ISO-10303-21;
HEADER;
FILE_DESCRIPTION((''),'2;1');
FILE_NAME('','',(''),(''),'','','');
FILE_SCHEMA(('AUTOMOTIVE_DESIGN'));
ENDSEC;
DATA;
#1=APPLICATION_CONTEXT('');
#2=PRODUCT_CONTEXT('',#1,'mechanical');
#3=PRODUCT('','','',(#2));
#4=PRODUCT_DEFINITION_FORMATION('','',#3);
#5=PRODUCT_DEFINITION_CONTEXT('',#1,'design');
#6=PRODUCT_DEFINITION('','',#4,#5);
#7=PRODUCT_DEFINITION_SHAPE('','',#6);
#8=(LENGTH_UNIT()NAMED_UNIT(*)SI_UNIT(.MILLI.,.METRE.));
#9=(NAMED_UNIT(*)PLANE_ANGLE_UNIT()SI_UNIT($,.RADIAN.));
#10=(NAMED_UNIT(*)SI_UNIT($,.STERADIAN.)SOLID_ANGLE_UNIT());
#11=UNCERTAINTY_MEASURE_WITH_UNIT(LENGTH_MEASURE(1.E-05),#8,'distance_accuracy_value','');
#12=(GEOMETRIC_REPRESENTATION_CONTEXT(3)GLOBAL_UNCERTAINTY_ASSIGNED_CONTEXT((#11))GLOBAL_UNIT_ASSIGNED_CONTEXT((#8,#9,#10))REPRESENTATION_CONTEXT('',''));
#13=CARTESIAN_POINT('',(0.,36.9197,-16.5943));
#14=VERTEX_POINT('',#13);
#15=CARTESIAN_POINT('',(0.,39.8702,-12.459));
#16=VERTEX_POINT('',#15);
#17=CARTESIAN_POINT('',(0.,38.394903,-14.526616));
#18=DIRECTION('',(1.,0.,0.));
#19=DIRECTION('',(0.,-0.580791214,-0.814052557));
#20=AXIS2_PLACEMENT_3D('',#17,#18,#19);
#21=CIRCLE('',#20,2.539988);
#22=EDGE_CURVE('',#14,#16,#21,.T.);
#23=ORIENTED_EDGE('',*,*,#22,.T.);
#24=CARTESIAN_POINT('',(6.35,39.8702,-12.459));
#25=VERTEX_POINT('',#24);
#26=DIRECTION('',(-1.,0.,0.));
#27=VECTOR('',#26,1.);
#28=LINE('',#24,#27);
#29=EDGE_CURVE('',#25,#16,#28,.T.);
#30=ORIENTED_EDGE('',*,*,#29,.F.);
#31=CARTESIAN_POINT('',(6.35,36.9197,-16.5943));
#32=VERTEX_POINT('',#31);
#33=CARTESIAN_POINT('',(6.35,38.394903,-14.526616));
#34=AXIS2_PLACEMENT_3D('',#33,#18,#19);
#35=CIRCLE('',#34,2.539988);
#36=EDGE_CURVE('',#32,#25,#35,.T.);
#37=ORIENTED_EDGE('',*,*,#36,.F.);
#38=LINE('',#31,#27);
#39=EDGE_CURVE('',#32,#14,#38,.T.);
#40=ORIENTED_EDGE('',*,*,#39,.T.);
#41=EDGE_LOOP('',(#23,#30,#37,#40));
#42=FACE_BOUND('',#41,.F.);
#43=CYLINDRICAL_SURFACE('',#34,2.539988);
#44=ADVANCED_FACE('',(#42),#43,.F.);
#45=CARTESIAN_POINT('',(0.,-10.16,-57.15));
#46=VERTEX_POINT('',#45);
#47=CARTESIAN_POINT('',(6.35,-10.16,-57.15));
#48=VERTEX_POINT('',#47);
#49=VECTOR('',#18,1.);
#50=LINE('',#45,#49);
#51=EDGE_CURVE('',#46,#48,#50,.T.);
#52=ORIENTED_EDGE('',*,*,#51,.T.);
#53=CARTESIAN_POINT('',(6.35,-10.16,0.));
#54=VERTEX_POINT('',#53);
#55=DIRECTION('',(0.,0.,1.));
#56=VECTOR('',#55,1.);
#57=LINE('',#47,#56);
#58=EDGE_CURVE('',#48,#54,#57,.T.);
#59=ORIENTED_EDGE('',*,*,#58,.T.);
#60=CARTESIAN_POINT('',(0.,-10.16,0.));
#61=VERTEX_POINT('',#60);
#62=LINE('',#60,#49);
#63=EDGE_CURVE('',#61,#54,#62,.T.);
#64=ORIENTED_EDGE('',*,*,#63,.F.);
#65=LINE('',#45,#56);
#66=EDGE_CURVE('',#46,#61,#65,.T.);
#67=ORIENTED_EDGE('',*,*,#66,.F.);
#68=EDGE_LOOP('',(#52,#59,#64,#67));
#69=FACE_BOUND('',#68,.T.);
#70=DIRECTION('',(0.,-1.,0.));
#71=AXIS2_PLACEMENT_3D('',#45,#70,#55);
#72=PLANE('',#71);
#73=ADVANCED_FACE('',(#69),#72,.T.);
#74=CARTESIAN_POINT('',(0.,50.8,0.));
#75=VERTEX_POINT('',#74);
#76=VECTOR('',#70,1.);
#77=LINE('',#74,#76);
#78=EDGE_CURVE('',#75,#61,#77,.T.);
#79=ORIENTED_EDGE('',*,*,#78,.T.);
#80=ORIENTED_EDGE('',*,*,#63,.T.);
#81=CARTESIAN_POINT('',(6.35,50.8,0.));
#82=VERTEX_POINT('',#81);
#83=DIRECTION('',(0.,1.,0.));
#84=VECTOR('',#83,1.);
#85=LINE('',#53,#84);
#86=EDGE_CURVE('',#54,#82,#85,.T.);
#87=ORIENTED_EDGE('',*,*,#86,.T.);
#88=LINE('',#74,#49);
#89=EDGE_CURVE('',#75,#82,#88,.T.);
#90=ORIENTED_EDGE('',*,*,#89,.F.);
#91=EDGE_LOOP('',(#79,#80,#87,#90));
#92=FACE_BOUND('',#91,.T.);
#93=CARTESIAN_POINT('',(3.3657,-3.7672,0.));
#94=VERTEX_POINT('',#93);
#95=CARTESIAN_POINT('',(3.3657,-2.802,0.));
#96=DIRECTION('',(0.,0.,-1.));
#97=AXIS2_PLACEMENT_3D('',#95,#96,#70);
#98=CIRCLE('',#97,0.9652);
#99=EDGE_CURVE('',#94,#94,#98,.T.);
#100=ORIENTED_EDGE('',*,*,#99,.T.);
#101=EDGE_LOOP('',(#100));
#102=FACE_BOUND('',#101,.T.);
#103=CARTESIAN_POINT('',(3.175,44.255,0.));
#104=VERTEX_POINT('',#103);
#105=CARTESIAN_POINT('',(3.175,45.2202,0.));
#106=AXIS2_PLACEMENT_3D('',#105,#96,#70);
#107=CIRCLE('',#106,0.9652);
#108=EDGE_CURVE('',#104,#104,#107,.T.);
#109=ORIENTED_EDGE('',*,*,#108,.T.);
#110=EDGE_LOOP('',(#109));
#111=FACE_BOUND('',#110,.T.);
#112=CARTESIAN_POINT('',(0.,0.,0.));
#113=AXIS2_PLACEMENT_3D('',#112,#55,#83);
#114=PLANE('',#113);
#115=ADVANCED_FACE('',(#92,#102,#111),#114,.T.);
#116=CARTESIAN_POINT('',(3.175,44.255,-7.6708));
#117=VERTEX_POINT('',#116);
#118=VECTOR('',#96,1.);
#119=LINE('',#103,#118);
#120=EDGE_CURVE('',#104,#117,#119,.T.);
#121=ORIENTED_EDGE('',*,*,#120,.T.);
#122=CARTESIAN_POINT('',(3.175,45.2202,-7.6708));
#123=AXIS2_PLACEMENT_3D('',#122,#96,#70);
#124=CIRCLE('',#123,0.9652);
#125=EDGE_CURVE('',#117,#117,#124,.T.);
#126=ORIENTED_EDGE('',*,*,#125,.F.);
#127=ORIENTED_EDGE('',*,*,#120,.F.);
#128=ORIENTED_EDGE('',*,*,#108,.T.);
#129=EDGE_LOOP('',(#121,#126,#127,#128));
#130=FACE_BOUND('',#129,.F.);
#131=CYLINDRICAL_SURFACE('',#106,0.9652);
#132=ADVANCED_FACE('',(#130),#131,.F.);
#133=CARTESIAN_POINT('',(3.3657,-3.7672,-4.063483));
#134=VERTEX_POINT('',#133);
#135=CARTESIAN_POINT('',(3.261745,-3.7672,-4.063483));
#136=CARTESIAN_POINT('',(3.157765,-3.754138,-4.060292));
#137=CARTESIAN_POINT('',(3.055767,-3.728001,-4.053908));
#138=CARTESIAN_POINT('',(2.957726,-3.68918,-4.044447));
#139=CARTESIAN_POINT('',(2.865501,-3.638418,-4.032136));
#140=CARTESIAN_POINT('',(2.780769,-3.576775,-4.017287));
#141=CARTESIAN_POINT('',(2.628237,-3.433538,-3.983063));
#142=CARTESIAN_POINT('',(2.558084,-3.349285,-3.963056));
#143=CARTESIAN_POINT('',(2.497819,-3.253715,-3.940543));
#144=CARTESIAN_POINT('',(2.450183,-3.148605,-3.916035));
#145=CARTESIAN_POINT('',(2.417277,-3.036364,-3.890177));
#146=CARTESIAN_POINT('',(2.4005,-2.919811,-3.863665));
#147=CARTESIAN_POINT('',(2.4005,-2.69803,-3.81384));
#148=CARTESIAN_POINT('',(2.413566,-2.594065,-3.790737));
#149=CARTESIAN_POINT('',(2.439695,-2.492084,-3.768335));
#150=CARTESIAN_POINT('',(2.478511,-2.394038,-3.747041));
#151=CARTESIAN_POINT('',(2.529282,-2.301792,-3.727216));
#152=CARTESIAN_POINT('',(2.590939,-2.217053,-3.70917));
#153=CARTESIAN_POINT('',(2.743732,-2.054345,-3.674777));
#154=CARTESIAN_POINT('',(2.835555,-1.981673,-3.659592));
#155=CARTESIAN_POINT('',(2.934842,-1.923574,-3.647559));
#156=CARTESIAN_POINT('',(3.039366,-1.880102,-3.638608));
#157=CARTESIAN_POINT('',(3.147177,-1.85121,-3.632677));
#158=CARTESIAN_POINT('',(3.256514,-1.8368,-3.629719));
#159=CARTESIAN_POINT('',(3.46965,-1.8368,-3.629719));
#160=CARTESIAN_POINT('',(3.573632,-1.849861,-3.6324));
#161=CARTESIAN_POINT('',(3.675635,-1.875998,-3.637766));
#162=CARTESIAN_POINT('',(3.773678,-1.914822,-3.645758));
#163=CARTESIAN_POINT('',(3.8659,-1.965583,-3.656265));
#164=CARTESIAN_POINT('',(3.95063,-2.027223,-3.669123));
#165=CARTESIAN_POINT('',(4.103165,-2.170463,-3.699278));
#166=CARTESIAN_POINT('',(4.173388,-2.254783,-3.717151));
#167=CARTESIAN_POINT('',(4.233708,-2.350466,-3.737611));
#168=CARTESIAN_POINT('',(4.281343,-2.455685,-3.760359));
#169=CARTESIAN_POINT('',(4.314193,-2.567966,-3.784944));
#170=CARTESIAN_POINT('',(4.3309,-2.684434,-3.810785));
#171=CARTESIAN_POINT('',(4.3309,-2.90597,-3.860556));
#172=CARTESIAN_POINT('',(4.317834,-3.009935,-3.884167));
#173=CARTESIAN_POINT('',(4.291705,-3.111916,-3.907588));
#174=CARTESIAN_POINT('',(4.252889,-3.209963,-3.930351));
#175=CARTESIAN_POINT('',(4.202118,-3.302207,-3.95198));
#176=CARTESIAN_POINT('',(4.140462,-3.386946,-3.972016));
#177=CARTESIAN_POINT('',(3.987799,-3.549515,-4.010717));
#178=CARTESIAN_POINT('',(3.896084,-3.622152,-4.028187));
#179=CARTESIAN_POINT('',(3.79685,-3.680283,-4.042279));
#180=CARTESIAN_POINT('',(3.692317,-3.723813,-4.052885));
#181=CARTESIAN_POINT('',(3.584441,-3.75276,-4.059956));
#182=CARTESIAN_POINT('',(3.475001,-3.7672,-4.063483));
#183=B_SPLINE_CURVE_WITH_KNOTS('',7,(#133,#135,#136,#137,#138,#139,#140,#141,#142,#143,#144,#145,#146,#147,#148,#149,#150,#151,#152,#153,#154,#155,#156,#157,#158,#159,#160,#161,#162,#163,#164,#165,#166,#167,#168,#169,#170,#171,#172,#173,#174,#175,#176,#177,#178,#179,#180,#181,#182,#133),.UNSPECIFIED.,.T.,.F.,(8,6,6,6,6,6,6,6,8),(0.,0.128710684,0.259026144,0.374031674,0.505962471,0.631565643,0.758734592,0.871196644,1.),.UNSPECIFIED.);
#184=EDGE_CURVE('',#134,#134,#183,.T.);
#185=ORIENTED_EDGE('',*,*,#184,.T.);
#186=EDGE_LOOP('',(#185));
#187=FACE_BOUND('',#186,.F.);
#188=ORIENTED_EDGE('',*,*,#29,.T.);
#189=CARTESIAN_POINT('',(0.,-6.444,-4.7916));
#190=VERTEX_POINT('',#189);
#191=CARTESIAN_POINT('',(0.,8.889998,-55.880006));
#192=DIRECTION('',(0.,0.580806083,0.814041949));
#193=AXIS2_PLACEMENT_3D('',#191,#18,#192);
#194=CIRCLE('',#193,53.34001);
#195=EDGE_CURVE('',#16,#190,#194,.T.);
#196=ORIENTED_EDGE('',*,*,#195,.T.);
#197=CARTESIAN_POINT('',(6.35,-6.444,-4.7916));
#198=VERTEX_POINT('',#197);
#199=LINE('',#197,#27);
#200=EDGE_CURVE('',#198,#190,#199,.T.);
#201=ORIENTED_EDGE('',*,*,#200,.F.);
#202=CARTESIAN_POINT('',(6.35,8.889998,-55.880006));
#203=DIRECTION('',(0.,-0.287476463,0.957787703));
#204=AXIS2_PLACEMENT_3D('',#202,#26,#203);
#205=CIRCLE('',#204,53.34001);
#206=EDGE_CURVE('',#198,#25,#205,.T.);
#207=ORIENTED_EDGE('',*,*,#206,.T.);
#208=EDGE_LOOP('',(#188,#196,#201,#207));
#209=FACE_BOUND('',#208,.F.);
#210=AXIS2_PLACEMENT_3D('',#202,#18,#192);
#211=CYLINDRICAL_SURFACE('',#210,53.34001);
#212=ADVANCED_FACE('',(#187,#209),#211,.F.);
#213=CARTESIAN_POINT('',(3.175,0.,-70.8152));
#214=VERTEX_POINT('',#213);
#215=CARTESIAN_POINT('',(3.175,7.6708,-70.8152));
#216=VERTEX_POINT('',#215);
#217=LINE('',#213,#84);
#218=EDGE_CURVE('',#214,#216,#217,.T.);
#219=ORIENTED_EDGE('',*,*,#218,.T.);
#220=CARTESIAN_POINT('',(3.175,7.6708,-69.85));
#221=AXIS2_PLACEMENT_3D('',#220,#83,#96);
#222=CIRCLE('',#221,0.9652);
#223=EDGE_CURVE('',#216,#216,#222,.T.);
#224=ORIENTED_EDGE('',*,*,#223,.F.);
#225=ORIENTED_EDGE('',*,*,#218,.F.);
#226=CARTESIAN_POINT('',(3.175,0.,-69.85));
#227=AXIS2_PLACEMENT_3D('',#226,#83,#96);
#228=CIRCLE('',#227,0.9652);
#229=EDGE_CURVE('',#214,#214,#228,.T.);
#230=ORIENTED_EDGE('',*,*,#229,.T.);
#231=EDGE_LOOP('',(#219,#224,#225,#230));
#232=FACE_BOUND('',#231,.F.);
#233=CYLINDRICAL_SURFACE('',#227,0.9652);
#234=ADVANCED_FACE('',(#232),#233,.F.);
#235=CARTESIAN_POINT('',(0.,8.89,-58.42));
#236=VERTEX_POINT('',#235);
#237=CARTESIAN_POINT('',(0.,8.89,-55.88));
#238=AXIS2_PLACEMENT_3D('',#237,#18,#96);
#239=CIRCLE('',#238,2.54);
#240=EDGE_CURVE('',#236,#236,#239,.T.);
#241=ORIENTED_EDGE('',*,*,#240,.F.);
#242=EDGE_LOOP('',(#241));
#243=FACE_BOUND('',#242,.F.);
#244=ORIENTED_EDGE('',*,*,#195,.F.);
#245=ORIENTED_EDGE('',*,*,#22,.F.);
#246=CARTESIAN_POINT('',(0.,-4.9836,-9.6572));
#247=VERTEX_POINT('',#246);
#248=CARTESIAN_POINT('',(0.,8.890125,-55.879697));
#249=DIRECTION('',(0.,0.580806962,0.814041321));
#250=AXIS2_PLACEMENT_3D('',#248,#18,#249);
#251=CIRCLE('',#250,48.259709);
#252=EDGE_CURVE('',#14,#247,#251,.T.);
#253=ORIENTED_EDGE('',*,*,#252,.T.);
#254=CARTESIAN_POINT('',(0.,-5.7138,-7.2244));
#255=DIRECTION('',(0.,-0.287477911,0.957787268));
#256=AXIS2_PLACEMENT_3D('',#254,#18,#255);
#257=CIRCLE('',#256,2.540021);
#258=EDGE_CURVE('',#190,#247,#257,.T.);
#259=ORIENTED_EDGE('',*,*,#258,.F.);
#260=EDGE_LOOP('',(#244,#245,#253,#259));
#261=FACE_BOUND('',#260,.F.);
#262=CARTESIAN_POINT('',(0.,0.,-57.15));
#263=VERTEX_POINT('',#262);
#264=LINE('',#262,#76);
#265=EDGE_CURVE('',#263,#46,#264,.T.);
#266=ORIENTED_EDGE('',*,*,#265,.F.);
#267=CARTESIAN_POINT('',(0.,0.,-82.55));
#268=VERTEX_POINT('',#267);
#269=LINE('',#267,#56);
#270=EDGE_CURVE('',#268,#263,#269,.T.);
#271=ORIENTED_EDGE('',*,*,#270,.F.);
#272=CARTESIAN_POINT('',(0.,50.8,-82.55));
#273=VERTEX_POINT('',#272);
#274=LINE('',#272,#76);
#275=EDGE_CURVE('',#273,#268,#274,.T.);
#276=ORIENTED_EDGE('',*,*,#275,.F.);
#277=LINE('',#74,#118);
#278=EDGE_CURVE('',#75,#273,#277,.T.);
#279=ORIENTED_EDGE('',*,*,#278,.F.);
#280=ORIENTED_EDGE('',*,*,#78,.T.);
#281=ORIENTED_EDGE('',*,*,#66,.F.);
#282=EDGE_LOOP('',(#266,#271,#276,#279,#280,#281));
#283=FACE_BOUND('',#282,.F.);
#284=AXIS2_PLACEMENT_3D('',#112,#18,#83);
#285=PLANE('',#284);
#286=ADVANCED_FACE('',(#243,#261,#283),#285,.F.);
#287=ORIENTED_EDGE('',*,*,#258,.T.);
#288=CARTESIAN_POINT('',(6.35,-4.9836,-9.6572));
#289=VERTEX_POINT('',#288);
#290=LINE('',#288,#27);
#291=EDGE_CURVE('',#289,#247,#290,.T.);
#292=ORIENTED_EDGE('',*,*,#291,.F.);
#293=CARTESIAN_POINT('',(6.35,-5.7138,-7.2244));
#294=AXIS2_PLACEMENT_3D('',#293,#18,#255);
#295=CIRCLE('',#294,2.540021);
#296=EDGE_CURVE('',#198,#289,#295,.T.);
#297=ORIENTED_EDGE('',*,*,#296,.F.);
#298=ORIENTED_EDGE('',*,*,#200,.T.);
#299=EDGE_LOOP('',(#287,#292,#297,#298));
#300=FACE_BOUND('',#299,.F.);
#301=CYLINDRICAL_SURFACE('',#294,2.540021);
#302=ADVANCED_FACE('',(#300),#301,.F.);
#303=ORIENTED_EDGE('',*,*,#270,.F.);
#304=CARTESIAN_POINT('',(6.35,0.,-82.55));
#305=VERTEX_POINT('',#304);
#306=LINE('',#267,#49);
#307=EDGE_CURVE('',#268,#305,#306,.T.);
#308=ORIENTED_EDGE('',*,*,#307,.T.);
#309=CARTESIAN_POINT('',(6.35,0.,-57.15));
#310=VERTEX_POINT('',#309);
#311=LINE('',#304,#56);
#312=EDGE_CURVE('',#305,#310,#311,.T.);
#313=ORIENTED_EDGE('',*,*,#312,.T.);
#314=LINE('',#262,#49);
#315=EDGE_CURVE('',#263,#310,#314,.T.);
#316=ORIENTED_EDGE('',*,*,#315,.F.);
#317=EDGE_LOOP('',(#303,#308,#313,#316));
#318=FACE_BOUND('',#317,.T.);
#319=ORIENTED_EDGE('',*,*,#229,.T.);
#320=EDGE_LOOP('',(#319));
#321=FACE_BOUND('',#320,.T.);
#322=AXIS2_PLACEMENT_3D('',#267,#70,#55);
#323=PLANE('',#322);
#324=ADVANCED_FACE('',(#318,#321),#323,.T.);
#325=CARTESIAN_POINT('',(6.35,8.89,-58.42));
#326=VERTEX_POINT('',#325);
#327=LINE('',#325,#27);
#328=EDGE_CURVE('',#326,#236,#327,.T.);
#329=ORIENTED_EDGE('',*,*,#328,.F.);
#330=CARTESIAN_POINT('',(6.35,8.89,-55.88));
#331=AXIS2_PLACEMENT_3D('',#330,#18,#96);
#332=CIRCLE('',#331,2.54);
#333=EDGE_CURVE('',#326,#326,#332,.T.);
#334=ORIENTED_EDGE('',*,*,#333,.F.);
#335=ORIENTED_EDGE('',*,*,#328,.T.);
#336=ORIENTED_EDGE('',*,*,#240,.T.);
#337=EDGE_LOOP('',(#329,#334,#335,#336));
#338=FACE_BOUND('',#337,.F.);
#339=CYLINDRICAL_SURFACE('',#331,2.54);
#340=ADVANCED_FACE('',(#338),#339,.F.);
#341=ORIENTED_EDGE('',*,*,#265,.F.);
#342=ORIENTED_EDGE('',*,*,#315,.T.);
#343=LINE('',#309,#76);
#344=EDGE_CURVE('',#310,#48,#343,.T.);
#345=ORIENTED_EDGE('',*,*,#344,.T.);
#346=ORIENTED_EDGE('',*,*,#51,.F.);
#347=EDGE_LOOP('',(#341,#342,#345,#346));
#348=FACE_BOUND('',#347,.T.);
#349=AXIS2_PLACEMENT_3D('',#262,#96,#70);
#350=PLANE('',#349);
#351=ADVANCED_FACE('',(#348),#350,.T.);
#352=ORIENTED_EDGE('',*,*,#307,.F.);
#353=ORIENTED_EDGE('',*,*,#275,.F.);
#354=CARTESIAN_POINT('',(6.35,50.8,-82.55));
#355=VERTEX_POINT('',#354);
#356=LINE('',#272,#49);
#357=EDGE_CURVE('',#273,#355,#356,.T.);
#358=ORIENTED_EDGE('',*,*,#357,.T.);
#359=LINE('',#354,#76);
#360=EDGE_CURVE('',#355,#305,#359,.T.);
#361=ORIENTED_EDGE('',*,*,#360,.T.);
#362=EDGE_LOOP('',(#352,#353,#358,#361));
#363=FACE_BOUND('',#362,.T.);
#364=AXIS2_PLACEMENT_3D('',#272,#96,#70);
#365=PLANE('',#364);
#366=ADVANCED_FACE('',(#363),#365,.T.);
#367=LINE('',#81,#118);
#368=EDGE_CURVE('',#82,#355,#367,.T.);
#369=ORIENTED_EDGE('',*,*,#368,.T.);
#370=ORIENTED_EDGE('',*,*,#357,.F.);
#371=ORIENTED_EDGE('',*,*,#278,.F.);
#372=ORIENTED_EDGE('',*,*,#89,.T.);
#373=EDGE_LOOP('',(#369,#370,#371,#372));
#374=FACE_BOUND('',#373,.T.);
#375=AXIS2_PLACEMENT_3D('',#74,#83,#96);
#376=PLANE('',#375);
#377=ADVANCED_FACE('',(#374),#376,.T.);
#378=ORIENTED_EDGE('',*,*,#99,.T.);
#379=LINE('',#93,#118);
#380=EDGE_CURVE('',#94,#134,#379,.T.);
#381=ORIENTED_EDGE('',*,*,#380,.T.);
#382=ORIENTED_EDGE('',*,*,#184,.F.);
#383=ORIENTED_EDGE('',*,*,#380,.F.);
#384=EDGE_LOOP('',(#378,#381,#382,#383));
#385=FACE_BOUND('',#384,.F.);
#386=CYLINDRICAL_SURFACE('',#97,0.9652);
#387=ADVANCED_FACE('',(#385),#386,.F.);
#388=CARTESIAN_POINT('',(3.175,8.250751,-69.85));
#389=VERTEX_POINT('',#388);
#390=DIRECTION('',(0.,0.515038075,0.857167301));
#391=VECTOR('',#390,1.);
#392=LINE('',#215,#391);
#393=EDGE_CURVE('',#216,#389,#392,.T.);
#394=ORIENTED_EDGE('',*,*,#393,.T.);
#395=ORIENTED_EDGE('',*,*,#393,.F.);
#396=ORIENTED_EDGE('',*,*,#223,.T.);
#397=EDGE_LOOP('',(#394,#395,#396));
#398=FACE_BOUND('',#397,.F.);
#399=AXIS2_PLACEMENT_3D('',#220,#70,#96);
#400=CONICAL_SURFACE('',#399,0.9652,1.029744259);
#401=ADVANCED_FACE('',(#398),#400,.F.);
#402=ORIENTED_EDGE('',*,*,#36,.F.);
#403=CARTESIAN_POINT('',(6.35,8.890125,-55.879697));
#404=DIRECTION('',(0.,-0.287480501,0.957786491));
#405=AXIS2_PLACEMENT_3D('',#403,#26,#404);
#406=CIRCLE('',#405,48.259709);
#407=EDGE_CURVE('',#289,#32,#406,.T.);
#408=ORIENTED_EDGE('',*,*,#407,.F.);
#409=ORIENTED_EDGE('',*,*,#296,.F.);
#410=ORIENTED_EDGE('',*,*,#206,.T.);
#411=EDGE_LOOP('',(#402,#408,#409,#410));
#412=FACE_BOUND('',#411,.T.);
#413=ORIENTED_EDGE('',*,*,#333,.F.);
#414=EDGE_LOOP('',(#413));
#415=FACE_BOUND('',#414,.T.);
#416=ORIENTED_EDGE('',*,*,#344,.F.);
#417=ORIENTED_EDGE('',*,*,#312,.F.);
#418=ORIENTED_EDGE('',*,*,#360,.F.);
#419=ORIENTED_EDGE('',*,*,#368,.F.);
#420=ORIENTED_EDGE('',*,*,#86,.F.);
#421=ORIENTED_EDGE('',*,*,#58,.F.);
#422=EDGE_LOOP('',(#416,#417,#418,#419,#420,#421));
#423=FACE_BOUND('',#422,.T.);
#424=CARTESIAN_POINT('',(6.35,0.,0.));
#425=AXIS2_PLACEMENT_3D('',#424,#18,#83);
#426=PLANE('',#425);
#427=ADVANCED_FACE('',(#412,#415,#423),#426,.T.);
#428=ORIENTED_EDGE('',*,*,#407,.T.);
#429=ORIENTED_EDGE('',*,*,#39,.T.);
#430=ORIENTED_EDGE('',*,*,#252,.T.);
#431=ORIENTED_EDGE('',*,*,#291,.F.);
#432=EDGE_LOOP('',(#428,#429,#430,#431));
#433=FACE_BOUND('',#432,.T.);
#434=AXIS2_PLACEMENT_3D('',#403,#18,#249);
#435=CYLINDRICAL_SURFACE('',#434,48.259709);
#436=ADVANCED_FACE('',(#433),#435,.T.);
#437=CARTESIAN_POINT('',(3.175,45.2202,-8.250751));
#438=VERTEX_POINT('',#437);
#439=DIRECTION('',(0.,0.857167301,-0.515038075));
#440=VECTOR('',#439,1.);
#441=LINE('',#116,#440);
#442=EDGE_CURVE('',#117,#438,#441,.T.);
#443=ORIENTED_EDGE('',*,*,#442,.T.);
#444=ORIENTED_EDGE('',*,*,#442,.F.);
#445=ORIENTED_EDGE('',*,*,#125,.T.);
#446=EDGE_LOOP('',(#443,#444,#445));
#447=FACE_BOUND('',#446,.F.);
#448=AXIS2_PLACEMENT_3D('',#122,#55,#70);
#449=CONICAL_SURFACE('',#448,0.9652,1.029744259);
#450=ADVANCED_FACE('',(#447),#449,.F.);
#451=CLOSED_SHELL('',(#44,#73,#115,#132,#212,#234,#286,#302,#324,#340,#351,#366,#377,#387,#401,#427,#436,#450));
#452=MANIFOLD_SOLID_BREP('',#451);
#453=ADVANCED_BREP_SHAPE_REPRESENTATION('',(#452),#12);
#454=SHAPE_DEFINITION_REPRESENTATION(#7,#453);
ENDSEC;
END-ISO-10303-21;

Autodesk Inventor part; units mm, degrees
ref_plane "YZ Plane" through (0, 0, 0) normal (1, 0, 0) x (0, 1, 0)
ref_plane "XZ Plane" through (0, 0, 0) normal (0, 1, 0) x (-1, 0, 0)
ref_plane "XY Plane" through (0, 0, 0) normal (0, 0, 1) x (1, 0, 0)
sketch "Sketch1" plane through (0, 0, 0) normal (1, 0, 0) x (0, 1, 0)
  line L0 (0, 0) -> (50.8, 0)
  line L1 (50.8, 0) -> (50.8, -82.55)
  line L2 (50.8, -82.55) -> (0, -82.55)
  line L3 (0, -82.55) -> (0, -57.15)
  line L4 (0, -57.15) -> (-10.16, -57.15)
  line L5 (-10.16, -57.15) -> (-10.16, 0)
  line L6 (-10.16, 0) -> (0, 0)
  dimension "d0" = 82.55
  dimension "d1" = 50.8
  dimension "d27" = 25.4
  dimension "d28" = 10.16
extrude "Extrusion1" add sketch "Sketch1" along normal blind 6.35
sketch "Sketch2" plane through (6.35, 0, 0) normal (1, 0, 0) x (0, 0, -1)
  circle A0 centre (55.88, 8.89) radius 2.54
  line L0 (0, 0) -> (25.4, 0) projected
  line L1 (0, 50.8) -> (0, 0) projected
  line L2 (57.15, -10.16) -> (57.15, 0) projected
  arc A1 (14.5266, 38.3949) -> (7.2244, -5.7138) centre (55.88, 8.89) ccw construction
  arc A2 (12.459, 39.8702) -> (4.7916, -6.444) centre (55.88, 8.89) ccw
  arc A3 (16.5943, 36.9197) -> (9.6572, -4.9836) centre (55.88, 8.89) ccw
  arc A4 (16.5943, 36.9197) -> (12.459, 39.8702) centre (14.5266, 38.3949) ccw
  arc A5 (4.7916, -6.444) -> (9.6572, -4.9836) centre (7.2244, -5.7138) ccw
  point P0 (82.55, 0)
  dimension "d4" = 8.89
  dimension "d7" = 5.08
  dimension "d43" = 1.27
  dimension "d44" = 52.214
  dimension "d46" = 2.54
  dimension "d47" = 50.8
extrude "Extrusion2" cut sketch "Sketch2" against normal through all
sketch "Sketch6" plane through (0, 0, -82.55) normal (0, -1, 0) x (1, 0, 0)
  line L0 (0, 0) -> (0, 25.4) projected
  line L1 (0, 0) -> (0, 25.4) projected
  line L2 (0, 0) -> (6.35, 0) projected
  line L3 (6.35, 25.4) -> (6.35, 0) projected
  line L4 (0, 25.4) -> (6.35, 25.4) projected
  point P0 (0, 82.55)
  point P1 (3.175, 12.7)
sketch "Sketch7" plane through (0, -10.16, 0) normal (0, 0, 1) x (1, 0, 0)
  line L0 (0, 0) -> (0, 60.96) projected
  line L1 (0, 0) -> (6.35, 0) projected
  line L2 (6.35, 60.96) -> (6.35, 0) projected
  line L3 (0, 60.96) -> (6.35, 60.96) projected
  point P0 (0, 10.16)
  point P1 (3.3657, 7.358)
  point P2 (3.175, 55.3802)
hole "Hole2" at (3.175, 0, -69.85) direction (0, 1, 0) diameter 1.9304 depth 7.6708 tip angle 118
hole "Hole3" at (3.3657, -2.802, 0) at (3.175, 45.2202, 0) direction (0, 0, -1) diameter 1.9304 depth 7.6708 tip angle 118
properties part number "third odomitry wheel"
